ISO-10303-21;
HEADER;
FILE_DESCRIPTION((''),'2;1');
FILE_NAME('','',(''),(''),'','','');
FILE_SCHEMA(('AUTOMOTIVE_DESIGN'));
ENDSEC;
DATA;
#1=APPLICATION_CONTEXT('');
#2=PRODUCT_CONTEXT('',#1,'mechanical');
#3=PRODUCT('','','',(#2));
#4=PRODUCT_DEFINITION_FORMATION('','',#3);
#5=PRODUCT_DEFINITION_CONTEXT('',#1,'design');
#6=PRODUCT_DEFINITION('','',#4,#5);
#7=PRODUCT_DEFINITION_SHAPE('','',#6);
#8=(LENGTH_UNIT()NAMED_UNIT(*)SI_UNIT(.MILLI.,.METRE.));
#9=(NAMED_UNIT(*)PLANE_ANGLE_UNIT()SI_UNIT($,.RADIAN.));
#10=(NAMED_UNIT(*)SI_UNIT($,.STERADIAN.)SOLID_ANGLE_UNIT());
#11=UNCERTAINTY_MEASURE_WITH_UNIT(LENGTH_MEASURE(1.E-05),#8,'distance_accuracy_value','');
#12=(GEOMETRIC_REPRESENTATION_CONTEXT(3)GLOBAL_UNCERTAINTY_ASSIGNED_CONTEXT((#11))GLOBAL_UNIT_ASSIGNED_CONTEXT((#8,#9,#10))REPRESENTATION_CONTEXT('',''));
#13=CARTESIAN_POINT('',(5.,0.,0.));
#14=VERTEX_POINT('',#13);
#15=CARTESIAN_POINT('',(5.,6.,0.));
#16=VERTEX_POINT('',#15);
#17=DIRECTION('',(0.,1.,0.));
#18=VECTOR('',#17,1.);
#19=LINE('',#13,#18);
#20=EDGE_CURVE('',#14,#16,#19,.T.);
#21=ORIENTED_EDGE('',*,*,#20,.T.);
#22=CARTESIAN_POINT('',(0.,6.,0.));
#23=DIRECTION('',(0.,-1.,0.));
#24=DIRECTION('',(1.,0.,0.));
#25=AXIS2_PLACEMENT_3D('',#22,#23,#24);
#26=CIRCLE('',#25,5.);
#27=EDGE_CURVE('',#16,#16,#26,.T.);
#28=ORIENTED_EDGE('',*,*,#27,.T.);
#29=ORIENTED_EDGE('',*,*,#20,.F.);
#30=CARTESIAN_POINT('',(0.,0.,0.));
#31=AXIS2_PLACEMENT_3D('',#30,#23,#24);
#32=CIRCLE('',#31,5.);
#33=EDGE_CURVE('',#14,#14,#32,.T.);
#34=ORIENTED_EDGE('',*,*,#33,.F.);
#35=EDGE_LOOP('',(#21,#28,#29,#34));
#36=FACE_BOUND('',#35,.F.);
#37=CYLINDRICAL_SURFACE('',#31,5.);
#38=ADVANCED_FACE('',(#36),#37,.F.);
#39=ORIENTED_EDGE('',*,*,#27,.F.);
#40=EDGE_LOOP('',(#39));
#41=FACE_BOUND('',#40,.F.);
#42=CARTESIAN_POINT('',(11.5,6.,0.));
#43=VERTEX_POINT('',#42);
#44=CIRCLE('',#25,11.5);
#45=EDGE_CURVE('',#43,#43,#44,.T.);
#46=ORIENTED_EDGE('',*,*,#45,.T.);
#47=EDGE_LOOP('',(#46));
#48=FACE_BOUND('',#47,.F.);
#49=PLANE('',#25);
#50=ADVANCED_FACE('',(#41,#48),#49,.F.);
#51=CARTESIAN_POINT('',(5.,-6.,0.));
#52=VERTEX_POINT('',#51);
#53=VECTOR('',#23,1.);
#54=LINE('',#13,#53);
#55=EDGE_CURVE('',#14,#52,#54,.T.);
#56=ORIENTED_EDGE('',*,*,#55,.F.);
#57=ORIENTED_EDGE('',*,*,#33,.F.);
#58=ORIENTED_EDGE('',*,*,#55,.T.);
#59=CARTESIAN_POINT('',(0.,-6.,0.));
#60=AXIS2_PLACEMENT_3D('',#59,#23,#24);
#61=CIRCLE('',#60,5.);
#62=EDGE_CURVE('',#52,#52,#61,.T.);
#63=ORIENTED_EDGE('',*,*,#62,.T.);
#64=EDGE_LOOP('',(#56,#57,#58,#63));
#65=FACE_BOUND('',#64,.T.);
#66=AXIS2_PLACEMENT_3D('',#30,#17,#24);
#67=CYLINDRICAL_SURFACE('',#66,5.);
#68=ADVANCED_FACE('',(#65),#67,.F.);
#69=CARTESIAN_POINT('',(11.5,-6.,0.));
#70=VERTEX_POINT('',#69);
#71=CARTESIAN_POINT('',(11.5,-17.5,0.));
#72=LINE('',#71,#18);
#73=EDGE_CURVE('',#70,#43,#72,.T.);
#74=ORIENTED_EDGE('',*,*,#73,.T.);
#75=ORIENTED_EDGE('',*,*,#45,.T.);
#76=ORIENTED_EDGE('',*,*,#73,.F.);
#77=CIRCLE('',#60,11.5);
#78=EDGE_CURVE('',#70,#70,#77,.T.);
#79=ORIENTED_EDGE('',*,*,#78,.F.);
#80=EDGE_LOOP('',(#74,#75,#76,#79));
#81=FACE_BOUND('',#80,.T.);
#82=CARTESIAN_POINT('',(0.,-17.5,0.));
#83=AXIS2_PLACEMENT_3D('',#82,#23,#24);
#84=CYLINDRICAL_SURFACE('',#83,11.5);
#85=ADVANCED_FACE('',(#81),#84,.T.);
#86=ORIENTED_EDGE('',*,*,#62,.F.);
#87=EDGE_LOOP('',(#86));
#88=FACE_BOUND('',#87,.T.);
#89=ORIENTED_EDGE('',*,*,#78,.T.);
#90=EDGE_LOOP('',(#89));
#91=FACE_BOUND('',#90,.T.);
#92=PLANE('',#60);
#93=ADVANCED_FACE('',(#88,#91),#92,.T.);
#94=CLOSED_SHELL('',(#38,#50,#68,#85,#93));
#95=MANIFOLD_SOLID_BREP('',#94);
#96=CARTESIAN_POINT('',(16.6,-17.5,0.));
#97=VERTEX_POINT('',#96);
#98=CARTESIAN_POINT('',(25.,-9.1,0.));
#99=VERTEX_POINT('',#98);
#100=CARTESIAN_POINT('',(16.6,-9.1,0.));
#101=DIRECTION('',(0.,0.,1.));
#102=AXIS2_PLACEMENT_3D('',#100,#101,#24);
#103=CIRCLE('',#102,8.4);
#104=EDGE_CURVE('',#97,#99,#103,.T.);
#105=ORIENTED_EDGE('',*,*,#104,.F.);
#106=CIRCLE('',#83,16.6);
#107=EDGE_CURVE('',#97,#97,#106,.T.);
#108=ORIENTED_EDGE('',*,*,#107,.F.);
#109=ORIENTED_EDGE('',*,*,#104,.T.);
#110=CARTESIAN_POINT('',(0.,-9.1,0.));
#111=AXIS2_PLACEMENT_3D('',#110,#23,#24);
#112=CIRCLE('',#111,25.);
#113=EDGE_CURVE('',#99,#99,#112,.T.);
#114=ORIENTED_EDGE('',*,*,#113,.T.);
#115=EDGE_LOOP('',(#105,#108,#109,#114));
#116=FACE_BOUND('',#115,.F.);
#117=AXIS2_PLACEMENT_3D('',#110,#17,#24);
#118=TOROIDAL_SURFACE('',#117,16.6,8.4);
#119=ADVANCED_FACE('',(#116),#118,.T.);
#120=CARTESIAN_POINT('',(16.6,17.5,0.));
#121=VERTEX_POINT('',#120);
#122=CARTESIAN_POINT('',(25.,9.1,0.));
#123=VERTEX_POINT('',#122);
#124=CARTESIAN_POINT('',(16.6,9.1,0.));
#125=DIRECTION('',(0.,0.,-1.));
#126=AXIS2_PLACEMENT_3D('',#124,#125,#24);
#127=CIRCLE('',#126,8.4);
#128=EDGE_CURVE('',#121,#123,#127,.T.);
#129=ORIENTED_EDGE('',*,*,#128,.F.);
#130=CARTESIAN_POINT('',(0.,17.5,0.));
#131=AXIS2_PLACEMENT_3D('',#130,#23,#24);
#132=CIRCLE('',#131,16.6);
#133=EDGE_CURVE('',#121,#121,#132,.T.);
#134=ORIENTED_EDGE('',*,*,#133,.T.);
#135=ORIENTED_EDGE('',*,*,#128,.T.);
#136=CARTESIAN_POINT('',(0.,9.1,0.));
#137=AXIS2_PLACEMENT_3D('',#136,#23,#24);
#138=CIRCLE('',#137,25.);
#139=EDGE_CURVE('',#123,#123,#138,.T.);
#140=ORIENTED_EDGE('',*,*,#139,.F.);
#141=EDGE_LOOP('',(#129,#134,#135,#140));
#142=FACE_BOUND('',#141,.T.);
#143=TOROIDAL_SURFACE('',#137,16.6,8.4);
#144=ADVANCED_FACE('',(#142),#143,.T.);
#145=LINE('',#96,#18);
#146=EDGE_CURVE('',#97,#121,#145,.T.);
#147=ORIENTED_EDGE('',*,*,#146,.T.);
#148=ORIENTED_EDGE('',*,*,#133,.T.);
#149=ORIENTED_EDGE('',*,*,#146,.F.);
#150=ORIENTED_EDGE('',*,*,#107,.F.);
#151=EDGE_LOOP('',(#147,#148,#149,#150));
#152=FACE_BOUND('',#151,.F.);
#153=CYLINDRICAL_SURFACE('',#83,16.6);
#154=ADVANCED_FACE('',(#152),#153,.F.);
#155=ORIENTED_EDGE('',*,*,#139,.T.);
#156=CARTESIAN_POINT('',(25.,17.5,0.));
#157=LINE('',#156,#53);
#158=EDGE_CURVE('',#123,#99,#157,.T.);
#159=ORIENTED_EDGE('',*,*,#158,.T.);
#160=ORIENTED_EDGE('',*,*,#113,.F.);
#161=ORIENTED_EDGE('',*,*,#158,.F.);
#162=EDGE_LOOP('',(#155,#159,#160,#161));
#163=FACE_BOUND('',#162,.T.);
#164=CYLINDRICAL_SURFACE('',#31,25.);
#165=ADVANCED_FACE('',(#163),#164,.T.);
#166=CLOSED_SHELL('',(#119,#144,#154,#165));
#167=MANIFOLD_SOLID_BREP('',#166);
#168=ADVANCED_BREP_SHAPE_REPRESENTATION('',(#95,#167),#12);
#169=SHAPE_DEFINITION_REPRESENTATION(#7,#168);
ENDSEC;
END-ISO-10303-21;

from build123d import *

# Parameters (mm, degrees)
F0_R          = 25
F0_R_2        = 11.5
F1_DEPTH      = 17.5
F1_DEPTH_BACK = 17.5
F0_R_3        = 5
F2_DEPTH      = 6
F3_DEPTH      = 6
F4_R          = 8.4
F6_DEPTH      = 110.7


with BuildPart() as f1:
    # F0 (on Front) → F1 (new body, two sides)
    with BuildSketch(Plane.XZ) as f1_sk:
        Circle(F0_R)
        Circle(F0_R_2, mode=Mode.SUBTRACT)
    extrude(amount=F1_DEPTH)
    extrude(f1_sk.sketch, amount=-F1_DEPTH_BACK)

    # F0 (on Front) → F2 (join)
    with BuildSketch(Plane.XZ):
        Circle(F0_R_2)
        Circle(F0_R_3, mode=Mode.SUBTRACT)
    extrude(amount=F2_DEPTH)

    # F0 (on Front) → F3 (join)
    with BuildSketch(Plane.XZ):
        Circle(F0_R_2)
        Circle(F0_R_3, mode=Mode.SUBTRACT)
    extrude(amount=-F3_DEPTH)

    # F4
    f4_edges = [f1.edges().sort_by_distance(p)[0] for p in [
        (-25, -17.5, 0),
        (-25, 17.5, 0),
    ]]
    fillet(f4_edges, radius=F4_R)

    # F6 (cut): a face of the model
    f6_faces = [f1.faces().sort_by_distance(p)[0] for p in [
        (-16.1304810973, -17.5, 0),
    ]]
    extrude(f6_faces, amount=-F6_DEPTH, mode=Mode.SUBTRACT)


solid = f1.part
